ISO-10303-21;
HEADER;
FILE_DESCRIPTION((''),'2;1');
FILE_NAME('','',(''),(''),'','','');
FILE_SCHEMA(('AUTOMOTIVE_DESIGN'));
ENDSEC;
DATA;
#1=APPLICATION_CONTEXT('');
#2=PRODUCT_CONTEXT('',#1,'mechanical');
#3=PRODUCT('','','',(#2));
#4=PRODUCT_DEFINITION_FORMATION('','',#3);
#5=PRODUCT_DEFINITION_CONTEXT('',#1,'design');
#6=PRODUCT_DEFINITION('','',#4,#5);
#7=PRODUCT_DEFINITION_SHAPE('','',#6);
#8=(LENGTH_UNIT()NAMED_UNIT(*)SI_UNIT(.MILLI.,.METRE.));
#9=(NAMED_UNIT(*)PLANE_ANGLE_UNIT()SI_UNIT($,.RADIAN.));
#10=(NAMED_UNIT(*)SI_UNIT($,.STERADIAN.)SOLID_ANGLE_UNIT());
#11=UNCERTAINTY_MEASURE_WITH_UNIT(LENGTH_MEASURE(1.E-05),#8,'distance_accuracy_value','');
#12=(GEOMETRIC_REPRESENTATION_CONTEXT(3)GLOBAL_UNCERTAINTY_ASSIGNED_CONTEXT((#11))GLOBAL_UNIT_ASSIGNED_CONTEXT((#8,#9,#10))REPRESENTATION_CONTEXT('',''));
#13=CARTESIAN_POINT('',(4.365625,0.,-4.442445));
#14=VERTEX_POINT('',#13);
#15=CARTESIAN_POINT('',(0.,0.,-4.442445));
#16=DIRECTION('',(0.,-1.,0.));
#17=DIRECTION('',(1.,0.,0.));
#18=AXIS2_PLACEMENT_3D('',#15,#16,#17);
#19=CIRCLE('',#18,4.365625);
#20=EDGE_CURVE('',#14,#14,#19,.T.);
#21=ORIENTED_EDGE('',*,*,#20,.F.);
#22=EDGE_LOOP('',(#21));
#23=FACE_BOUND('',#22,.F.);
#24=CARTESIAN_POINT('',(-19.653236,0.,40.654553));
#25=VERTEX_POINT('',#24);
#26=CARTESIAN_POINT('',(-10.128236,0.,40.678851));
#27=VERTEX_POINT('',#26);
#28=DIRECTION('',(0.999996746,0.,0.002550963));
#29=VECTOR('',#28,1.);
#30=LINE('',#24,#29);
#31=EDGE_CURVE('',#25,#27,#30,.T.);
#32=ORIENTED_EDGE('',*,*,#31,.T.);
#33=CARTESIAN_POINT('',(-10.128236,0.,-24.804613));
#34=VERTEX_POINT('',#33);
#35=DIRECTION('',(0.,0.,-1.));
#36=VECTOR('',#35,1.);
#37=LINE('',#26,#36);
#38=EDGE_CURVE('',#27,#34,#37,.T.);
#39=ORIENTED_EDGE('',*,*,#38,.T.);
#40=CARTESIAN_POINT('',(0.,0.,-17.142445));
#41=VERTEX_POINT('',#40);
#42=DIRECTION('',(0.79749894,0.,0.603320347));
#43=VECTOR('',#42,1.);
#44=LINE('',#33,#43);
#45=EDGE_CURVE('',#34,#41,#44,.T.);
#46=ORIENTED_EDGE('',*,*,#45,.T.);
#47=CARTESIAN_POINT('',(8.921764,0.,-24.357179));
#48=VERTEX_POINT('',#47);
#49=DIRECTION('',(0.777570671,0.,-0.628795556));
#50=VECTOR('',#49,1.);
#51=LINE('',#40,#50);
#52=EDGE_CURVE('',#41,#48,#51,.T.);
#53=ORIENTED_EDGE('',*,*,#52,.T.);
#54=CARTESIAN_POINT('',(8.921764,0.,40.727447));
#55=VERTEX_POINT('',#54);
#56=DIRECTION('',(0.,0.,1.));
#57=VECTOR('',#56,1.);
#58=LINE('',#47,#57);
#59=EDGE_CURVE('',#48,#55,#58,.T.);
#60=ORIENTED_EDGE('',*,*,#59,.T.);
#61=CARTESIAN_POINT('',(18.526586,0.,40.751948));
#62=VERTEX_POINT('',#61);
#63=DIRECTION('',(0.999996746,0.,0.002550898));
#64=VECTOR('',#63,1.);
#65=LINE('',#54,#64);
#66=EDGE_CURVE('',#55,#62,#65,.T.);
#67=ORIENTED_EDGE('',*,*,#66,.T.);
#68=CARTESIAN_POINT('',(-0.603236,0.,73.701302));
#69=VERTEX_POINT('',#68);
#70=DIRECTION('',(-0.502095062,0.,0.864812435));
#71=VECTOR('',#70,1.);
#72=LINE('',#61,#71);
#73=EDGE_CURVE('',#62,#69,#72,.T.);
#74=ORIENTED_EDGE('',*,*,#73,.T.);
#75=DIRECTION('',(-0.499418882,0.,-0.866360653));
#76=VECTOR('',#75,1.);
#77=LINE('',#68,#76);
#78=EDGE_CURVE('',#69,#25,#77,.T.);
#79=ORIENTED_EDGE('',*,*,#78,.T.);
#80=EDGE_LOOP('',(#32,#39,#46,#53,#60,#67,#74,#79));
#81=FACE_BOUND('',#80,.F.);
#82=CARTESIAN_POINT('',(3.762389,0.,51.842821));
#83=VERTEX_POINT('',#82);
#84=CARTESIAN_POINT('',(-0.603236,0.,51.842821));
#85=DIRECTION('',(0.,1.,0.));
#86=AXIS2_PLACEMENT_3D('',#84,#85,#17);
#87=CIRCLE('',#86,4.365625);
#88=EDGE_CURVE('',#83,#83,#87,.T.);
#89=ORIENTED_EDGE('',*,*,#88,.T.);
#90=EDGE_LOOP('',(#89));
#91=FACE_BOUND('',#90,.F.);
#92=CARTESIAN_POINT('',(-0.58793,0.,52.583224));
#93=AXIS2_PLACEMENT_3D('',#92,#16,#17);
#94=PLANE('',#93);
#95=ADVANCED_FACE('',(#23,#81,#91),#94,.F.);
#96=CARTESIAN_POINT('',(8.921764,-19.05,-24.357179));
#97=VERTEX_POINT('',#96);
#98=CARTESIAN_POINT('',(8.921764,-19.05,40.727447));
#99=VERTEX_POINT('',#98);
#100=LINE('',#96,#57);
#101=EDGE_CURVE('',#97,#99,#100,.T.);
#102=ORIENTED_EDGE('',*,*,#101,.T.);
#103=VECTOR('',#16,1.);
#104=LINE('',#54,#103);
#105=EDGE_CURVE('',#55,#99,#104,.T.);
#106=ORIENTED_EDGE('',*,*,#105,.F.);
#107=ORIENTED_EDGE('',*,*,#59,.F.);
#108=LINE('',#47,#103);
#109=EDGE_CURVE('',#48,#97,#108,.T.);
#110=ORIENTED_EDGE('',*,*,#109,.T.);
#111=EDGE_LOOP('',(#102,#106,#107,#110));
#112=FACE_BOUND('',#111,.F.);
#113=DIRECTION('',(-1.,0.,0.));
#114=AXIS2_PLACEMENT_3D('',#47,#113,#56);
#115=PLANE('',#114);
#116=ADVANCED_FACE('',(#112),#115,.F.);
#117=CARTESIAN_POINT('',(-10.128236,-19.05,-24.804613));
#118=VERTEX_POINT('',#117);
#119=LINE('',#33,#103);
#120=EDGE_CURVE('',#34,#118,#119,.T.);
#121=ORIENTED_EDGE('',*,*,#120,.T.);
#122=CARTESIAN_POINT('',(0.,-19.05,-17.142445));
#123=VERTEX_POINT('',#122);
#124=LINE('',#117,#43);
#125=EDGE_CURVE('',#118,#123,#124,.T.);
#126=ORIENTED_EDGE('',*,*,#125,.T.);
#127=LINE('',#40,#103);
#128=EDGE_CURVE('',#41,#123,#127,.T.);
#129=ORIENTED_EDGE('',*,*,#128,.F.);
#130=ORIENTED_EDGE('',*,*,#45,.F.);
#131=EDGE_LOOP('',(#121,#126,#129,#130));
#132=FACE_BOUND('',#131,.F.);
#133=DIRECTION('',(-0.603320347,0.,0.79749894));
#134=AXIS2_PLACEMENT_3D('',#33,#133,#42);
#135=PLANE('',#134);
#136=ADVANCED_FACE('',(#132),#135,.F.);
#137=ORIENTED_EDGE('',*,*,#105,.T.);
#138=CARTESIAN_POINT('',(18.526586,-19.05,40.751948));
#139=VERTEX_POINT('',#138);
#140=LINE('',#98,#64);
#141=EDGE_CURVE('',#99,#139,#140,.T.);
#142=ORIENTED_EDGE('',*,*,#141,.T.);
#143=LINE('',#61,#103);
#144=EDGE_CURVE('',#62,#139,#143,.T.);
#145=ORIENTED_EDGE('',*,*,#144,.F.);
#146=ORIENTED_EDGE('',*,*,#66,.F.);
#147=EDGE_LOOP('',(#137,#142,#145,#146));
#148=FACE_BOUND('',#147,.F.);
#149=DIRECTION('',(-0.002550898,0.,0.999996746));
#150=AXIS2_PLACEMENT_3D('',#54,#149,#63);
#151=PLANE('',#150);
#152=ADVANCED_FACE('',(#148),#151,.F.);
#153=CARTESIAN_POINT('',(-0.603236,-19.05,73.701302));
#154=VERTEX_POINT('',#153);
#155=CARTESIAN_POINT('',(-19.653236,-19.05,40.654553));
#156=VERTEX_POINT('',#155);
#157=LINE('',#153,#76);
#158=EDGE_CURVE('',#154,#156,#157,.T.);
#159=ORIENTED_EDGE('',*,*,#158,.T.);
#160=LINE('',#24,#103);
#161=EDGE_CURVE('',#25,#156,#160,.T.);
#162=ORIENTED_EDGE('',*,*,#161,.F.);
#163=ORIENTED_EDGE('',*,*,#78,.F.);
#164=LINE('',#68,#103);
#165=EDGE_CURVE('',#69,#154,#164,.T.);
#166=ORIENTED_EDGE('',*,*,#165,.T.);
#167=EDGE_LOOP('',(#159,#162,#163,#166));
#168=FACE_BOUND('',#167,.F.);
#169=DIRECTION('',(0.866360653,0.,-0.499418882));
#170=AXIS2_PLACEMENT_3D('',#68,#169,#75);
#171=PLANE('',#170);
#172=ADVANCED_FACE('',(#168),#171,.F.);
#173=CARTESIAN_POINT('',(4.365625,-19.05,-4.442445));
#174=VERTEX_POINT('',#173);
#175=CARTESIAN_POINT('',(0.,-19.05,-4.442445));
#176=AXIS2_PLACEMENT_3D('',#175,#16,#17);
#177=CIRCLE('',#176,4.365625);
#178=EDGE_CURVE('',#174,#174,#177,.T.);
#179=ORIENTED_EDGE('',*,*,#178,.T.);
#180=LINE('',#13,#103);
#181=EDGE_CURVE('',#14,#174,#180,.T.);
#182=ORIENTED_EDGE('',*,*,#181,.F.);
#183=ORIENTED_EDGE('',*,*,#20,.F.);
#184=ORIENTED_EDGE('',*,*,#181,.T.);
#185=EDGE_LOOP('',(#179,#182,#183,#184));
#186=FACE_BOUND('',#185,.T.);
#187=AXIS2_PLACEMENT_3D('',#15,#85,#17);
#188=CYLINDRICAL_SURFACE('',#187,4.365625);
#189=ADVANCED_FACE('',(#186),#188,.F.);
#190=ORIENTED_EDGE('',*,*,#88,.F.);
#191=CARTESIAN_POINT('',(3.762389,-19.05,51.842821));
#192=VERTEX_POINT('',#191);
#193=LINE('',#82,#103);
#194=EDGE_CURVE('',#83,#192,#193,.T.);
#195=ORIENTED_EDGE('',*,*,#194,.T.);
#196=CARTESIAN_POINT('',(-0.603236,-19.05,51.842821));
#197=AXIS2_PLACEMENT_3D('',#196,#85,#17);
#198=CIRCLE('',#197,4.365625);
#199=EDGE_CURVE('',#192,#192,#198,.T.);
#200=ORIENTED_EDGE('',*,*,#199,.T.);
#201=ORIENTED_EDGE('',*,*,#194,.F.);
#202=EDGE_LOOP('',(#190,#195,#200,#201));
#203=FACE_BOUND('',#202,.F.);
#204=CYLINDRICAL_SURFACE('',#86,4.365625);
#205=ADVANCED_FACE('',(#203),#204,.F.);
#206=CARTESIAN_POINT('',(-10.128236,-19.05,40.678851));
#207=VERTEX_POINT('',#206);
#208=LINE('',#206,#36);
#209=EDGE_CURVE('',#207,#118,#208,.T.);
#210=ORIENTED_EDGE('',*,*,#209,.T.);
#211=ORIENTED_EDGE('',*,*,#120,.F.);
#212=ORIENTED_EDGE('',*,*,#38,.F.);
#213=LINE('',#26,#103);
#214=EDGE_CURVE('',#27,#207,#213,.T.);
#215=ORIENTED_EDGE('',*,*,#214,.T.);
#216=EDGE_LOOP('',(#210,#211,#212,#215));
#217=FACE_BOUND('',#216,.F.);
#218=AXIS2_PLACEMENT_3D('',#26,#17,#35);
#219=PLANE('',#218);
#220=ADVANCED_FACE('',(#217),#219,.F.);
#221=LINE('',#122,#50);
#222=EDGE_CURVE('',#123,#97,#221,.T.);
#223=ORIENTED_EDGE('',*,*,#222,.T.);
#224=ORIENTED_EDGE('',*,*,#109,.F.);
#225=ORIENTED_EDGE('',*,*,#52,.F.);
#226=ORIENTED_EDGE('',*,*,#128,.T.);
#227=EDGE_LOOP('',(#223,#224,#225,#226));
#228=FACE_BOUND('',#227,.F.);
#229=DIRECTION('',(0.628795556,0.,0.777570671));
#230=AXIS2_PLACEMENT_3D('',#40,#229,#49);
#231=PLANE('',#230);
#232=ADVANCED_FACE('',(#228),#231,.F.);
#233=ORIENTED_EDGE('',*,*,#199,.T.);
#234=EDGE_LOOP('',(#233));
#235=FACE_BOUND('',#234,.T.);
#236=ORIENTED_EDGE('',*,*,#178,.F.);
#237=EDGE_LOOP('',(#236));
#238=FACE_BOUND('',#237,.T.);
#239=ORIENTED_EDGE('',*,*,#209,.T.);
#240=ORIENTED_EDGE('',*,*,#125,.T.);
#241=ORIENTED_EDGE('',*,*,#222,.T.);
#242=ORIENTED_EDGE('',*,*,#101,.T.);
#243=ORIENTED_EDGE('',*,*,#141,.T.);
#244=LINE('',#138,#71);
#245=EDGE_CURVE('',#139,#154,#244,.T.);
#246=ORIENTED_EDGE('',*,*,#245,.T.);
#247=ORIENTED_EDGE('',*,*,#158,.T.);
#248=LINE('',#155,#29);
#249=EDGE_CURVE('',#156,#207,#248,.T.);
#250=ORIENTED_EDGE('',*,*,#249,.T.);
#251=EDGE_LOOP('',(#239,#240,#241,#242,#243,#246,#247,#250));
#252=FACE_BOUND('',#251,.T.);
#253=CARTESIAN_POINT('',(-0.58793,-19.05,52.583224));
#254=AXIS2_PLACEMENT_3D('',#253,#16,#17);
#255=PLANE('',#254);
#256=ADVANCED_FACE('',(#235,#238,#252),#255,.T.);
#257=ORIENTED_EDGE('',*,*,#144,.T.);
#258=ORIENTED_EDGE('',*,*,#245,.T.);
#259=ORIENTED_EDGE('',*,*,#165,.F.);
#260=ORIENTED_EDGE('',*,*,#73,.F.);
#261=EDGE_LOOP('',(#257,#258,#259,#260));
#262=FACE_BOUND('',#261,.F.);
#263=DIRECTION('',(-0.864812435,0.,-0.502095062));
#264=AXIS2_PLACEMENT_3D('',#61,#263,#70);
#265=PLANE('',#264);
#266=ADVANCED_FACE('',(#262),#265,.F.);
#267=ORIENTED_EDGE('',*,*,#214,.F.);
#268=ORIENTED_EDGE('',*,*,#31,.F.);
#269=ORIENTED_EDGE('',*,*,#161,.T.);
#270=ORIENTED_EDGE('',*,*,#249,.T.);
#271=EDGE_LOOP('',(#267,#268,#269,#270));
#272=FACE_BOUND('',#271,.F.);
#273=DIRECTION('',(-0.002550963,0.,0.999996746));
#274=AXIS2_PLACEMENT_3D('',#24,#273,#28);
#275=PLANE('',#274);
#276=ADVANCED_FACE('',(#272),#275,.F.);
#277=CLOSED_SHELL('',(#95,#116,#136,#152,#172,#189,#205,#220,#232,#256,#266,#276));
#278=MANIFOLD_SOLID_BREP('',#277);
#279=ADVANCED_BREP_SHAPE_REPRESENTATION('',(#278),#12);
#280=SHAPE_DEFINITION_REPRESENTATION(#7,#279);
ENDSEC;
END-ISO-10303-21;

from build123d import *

# Parameters (mm, degrees)
F0_R     = 4.365625
F1_DEPTH = 19.05


with BuildPart() as f1:
    # F0 (on Front) → F1 (new body)
    with BuildSketch(Plane.XZ):
        with BuildLine():
            ThreePointArc((-4.968861, 51.842821), (-0.603236, 56.208446), (3.762389, 51.842821))
            Line((3.762389, 51.842821), (8.921764, 51.842821))
            Line((8.921764, 51.842821), (8.921764, 40.727447))
            Line((8.921764, 40.727447), (18.526586, 40.751948))
            Line((18.526586, 40.751948), (-0.603236, 73.701302))
            Line((-0.603236, 73.701302), (-19.653236, 40.654553))
            Line((-19.653236, 40.654553), (-10.128236, 40.678851))
            Line((-10.128236, 40.678851), (-10.128236, 51.842821))
            Line((-10.128236, 51.842821), (-4.968861, 51.842821))
        make_face()
        Polygon((8.921764, -24.357179), (8.921764, 40.727447), (-10.128236, 40.678851), (-10.128236, -24.804613), (0, -17.142445), align=None)
        with Locations((0, -4.442445)):
            Circle(F0_R, mode=Mode.SUBTRACT)
        with BuildLine():
            Line((8.921764, 51.842821), (3.762389, 51.842821))
            ThreePointArc((3.762389, 51.842821), (-0.603236, 47.477196), (-4.968861, 51.842821))
            Line((-4.968861, 51.842821), (-10.128236, 51.842821))
            Line((-10.128236, 51.842821), (-10.128236, 40.678851))
            Line((-10.128236, 40.678851), (8.921764, 40.727447))
            Line((8.921764, 40.727447), (8.921764, 51.842821))
        make_face()
    extrude(amount=F1_DEPTH)


solid = f1.part
